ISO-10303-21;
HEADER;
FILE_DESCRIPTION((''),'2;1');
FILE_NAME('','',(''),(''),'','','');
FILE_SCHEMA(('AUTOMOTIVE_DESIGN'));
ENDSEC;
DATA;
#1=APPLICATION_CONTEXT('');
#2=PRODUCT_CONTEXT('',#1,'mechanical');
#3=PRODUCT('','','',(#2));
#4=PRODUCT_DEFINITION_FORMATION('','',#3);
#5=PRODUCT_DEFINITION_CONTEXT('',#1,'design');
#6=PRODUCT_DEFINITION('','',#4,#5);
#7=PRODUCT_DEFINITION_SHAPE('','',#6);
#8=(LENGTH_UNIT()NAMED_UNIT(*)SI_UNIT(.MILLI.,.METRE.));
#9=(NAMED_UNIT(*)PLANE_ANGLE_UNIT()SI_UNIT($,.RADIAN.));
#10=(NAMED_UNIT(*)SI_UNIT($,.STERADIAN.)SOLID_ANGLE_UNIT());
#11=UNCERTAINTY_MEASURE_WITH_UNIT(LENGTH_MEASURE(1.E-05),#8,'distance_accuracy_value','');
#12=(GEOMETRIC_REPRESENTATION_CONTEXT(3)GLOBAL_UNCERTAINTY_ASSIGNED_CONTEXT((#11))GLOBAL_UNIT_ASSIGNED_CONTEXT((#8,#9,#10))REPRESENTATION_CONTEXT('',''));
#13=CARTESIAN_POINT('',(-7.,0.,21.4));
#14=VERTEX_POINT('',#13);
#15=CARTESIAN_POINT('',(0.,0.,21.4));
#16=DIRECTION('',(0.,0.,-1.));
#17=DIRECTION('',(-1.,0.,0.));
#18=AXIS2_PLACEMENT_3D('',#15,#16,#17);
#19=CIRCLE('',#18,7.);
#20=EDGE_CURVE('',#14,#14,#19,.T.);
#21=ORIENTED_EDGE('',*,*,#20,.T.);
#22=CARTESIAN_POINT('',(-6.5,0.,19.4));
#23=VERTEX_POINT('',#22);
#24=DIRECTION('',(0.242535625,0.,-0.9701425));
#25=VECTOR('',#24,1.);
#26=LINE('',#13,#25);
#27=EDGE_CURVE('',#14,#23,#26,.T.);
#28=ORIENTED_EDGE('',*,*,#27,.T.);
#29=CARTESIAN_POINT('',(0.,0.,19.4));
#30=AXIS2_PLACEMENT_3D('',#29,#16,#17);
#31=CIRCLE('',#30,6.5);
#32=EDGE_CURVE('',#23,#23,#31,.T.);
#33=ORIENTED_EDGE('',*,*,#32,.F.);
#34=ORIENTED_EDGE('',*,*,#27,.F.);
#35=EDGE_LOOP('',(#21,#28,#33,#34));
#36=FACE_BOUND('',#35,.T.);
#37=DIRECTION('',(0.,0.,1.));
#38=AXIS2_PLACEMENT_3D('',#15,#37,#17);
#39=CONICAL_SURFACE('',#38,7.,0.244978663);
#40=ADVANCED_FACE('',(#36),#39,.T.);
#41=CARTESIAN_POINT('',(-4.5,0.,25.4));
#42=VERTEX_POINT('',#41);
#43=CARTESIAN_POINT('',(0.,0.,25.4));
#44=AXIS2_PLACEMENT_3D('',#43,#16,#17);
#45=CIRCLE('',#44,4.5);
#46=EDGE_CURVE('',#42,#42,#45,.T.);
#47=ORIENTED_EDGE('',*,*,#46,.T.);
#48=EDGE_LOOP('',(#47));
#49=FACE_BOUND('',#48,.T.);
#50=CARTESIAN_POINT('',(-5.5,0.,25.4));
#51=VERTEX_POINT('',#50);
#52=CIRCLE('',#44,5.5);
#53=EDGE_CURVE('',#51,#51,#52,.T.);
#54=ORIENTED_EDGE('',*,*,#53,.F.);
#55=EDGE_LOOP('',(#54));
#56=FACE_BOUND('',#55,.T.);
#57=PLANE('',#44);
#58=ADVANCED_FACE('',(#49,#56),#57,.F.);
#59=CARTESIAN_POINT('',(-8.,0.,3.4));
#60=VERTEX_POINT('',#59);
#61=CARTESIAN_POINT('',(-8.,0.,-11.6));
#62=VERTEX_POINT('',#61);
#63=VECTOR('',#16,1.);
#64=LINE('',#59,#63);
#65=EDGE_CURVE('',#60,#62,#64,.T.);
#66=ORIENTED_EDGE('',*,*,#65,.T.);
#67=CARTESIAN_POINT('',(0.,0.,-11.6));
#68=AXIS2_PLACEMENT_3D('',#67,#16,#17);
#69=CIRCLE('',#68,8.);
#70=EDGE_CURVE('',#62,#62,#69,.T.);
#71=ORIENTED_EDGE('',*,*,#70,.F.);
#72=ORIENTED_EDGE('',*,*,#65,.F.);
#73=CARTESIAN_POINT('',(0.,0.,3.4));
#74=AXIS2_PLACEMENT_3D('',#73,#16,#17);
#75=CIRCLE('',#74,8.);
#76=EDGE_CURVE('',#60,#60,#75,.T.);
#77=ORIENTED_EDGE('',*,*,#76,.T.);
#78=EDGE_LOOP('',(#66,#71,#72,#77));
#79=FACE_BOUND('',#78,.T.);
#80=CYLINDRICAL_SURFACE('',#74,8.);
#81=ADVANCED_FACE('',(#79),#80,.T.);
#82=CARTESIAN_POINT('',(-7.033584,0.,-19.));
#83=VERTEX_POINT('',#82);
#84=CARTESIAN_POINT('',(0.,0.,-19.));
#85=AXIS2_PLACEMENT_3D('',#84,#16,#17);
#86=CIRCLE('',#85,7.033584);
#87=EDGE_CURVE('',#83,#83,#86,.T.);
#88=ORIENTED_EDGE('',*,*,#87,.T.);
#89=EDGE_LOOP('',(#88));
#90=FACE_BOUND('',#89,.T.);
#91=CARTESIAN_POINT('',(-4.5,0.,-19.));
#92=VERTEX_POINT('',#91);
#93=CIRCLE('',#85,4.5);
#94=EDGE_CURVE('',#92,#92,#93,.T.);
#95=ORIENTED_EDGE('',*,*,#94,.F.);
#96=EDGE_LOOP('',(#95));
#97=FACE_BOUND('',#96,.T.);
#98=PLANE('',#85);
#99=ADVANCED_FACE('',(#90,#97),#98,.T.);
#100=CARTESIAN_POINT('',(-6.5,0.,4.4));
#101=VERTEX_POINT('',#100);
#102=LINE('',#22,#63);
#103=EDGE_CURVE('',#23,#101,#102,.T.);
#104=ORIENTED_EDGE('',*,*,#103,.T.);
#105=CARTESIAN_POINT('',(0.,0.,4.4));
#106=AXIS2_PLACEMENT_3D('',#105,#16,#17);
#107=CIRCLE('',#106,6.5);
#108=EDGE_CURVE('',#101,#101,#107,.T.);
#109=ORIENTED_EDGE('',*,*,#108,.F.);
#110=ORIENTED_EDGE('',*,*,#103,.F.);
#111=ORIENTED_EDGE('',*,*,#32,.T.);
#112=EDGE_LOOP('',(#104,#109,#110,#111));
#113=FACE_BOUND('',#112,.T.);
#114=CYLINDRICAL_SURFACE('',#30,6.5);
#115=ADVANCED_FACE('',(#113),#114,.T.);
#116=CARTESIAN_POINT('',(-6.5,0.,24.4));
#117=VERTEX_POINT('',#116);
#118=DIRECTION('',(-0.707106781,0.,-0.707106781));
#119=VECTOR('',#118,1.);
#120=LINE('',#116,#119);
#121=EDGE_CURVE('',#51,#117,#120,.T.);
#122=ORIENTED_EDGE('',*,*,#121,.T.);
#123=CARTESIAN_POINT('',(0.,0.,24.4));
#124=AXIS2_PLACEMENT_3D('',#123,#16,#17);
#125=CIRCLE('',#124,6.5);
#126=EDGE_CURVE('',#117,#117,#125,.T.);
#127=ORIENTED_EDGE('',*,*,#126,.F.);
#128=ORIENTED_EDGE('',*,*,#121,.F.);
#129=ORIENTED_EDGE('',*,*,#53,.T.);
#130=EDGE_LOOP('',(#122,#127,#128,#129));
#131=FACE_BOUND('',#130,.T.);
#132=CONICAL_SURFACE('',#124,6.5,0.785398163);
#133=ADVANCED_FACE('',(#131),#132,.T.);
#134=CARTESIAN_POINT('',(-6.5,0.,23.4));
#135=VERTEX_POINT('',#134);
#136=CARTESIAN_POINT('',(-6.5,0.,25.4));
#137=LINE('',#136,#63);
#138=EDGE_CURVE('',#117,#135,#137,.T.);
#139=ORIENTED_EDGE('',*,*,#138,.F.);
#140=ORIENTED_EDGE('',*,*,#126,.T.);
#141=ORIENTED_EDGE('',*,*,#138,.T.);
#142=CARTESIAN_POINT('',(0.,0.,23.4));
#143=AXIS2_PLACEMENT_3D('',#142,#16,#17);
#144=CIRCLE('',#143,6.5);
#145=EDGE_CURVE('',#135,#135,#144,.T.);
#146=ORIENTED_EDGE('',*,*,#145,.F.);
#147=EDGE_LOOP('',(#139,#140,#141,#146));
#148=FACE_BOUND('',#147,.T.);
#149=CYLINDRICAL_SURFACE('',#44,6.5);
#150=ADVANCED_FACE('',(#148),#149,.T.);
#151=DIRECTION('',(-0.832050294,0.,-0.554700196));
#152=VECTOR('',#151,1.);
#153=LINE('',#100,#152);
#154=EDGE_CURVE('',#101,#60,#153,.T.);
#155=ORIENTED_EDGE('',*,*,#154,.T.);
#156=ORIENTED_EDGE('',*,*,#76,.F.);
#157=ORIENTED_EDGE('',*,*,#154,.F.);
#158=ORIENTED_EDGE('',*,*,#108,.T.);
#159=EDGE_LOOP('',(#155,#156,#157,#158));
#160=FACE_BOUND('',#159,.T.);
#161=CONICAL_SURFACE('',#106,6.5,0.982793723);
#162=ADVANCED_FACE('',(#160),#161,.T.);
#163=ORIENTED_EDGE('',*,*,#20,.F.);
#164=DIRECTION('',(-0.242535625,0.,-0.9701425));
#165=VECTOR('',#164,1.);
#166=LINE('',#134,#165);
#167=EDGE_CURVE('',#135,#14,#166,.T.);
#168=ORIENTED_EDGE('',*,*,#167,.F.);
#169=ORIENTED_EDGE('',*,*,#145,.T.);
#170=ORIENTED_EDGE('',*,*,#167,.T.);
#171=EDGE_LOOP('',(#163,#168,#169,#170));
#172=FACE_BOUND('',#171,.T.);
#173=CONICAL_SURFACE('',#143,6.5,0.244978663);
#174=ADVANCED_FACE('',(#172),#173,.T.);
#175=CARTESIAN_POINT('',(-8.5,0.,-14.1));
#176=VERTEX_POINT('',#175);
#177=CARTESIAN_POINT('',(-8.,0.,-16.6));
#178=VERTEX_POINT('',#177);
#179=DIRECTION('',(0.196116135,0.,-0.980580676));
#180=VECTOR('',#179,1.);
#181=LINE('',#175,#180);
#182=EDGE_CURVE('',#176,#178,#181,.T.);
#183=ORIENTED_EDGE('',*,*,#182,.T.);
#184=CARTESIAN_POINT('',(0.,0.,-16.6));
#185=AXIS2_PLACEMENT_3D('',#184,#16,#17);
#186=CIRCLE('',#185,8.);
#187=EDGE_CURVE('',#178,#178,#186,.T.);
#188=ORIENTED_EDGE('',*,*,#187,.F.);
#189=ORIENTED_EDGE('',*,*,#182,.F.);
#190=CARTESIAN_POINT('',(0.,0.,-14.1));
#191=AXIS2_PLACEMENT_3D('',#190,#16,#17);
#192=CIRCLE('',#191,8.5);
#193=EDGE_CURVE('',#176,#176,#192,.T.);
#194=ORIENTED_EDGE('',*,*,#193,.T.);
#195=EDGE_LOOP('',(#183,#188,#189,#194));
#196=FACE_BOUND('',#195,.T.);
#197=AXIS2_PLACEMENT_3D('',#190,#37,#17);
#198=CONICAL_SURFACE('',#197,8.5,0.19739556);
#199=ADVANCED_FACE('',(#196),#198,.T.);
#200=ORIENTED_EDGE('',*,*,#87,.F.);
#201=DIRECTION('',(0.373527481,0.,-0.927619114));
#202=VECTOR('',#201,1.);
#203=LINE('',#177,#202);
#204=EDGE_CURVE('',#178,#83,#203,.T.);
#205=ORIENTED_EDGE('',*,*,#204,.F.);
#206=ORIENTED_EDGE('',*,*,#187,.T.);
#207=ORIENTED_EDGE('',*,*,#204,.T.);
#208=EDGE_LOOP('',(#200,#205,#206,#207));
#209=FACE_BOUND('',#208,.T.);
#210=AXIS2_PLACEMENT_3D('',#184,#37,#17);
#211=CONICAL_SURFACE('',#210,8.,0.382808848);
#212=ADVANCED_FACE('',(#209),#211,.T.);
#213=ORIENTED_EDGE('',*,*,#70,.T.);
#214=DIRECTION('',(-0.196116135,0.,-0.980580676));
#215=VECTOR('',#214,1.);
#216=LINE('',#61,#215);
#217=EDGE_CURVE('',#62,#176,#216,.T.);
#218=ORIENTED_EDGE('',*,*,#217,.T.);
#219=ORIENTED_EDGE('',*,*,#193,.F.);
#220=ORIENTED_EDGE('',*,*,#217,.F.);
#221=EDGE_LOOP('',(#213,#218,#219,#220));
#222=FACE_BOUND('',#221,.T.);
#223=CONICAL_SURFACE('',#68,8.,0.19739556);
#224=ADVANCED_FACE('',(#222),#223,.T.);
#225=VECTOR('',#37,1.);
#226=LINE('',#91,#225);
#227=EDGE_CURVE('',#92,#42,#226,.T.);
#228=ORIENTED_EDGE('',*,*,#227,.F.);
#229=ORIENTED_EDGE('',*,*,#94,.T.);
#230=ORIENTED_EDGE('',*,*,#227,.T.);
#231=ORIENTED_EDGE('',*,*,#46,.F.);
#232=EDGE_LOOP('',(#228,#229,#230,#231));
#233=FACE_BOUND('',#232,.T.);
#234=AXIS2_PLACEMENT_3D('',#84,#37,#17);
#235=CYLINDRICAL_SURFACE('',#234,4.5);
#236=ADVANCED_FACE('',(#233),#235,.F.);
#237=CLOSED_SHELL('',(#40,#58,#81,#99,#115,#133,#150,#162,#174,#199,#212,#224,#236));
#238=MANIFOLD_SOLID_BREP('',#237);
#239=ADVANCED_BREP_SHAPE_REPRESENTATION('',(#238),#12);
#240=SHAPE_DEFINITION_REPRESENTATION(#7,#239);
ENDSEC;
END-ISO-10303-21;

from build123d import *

# Parameters (mm, degrees)
F2_SIZE = 1


with BuildPart() as f1:
    # F0 (on Front) → F1 (revolve)
    with BuildSketch(Plane.XZ):
        Polygon((-4.5, -19), (-4.5, 25.4), (-6.5, 25.4), (-6.5, 23.4), (-7, 21.4), (-6.5, 19.4), (-6.5, 4.4), (-8, 3.4), (-8, -11.6), (-8.5, -14.1), (-8, -16.6), (-7.033584, -19), align=None)
    revolve(axis=Axis((0, 0, -3.23939), (0, 0, -1)))

    # F2
    f2_edges = [f1.edges().sort_by_distance(p)[0] for p in [
        (6.5, 0, 25.4),
    ]]
    chamfer(f2_edges, length=F2_SIZE)


solid = f1.part
